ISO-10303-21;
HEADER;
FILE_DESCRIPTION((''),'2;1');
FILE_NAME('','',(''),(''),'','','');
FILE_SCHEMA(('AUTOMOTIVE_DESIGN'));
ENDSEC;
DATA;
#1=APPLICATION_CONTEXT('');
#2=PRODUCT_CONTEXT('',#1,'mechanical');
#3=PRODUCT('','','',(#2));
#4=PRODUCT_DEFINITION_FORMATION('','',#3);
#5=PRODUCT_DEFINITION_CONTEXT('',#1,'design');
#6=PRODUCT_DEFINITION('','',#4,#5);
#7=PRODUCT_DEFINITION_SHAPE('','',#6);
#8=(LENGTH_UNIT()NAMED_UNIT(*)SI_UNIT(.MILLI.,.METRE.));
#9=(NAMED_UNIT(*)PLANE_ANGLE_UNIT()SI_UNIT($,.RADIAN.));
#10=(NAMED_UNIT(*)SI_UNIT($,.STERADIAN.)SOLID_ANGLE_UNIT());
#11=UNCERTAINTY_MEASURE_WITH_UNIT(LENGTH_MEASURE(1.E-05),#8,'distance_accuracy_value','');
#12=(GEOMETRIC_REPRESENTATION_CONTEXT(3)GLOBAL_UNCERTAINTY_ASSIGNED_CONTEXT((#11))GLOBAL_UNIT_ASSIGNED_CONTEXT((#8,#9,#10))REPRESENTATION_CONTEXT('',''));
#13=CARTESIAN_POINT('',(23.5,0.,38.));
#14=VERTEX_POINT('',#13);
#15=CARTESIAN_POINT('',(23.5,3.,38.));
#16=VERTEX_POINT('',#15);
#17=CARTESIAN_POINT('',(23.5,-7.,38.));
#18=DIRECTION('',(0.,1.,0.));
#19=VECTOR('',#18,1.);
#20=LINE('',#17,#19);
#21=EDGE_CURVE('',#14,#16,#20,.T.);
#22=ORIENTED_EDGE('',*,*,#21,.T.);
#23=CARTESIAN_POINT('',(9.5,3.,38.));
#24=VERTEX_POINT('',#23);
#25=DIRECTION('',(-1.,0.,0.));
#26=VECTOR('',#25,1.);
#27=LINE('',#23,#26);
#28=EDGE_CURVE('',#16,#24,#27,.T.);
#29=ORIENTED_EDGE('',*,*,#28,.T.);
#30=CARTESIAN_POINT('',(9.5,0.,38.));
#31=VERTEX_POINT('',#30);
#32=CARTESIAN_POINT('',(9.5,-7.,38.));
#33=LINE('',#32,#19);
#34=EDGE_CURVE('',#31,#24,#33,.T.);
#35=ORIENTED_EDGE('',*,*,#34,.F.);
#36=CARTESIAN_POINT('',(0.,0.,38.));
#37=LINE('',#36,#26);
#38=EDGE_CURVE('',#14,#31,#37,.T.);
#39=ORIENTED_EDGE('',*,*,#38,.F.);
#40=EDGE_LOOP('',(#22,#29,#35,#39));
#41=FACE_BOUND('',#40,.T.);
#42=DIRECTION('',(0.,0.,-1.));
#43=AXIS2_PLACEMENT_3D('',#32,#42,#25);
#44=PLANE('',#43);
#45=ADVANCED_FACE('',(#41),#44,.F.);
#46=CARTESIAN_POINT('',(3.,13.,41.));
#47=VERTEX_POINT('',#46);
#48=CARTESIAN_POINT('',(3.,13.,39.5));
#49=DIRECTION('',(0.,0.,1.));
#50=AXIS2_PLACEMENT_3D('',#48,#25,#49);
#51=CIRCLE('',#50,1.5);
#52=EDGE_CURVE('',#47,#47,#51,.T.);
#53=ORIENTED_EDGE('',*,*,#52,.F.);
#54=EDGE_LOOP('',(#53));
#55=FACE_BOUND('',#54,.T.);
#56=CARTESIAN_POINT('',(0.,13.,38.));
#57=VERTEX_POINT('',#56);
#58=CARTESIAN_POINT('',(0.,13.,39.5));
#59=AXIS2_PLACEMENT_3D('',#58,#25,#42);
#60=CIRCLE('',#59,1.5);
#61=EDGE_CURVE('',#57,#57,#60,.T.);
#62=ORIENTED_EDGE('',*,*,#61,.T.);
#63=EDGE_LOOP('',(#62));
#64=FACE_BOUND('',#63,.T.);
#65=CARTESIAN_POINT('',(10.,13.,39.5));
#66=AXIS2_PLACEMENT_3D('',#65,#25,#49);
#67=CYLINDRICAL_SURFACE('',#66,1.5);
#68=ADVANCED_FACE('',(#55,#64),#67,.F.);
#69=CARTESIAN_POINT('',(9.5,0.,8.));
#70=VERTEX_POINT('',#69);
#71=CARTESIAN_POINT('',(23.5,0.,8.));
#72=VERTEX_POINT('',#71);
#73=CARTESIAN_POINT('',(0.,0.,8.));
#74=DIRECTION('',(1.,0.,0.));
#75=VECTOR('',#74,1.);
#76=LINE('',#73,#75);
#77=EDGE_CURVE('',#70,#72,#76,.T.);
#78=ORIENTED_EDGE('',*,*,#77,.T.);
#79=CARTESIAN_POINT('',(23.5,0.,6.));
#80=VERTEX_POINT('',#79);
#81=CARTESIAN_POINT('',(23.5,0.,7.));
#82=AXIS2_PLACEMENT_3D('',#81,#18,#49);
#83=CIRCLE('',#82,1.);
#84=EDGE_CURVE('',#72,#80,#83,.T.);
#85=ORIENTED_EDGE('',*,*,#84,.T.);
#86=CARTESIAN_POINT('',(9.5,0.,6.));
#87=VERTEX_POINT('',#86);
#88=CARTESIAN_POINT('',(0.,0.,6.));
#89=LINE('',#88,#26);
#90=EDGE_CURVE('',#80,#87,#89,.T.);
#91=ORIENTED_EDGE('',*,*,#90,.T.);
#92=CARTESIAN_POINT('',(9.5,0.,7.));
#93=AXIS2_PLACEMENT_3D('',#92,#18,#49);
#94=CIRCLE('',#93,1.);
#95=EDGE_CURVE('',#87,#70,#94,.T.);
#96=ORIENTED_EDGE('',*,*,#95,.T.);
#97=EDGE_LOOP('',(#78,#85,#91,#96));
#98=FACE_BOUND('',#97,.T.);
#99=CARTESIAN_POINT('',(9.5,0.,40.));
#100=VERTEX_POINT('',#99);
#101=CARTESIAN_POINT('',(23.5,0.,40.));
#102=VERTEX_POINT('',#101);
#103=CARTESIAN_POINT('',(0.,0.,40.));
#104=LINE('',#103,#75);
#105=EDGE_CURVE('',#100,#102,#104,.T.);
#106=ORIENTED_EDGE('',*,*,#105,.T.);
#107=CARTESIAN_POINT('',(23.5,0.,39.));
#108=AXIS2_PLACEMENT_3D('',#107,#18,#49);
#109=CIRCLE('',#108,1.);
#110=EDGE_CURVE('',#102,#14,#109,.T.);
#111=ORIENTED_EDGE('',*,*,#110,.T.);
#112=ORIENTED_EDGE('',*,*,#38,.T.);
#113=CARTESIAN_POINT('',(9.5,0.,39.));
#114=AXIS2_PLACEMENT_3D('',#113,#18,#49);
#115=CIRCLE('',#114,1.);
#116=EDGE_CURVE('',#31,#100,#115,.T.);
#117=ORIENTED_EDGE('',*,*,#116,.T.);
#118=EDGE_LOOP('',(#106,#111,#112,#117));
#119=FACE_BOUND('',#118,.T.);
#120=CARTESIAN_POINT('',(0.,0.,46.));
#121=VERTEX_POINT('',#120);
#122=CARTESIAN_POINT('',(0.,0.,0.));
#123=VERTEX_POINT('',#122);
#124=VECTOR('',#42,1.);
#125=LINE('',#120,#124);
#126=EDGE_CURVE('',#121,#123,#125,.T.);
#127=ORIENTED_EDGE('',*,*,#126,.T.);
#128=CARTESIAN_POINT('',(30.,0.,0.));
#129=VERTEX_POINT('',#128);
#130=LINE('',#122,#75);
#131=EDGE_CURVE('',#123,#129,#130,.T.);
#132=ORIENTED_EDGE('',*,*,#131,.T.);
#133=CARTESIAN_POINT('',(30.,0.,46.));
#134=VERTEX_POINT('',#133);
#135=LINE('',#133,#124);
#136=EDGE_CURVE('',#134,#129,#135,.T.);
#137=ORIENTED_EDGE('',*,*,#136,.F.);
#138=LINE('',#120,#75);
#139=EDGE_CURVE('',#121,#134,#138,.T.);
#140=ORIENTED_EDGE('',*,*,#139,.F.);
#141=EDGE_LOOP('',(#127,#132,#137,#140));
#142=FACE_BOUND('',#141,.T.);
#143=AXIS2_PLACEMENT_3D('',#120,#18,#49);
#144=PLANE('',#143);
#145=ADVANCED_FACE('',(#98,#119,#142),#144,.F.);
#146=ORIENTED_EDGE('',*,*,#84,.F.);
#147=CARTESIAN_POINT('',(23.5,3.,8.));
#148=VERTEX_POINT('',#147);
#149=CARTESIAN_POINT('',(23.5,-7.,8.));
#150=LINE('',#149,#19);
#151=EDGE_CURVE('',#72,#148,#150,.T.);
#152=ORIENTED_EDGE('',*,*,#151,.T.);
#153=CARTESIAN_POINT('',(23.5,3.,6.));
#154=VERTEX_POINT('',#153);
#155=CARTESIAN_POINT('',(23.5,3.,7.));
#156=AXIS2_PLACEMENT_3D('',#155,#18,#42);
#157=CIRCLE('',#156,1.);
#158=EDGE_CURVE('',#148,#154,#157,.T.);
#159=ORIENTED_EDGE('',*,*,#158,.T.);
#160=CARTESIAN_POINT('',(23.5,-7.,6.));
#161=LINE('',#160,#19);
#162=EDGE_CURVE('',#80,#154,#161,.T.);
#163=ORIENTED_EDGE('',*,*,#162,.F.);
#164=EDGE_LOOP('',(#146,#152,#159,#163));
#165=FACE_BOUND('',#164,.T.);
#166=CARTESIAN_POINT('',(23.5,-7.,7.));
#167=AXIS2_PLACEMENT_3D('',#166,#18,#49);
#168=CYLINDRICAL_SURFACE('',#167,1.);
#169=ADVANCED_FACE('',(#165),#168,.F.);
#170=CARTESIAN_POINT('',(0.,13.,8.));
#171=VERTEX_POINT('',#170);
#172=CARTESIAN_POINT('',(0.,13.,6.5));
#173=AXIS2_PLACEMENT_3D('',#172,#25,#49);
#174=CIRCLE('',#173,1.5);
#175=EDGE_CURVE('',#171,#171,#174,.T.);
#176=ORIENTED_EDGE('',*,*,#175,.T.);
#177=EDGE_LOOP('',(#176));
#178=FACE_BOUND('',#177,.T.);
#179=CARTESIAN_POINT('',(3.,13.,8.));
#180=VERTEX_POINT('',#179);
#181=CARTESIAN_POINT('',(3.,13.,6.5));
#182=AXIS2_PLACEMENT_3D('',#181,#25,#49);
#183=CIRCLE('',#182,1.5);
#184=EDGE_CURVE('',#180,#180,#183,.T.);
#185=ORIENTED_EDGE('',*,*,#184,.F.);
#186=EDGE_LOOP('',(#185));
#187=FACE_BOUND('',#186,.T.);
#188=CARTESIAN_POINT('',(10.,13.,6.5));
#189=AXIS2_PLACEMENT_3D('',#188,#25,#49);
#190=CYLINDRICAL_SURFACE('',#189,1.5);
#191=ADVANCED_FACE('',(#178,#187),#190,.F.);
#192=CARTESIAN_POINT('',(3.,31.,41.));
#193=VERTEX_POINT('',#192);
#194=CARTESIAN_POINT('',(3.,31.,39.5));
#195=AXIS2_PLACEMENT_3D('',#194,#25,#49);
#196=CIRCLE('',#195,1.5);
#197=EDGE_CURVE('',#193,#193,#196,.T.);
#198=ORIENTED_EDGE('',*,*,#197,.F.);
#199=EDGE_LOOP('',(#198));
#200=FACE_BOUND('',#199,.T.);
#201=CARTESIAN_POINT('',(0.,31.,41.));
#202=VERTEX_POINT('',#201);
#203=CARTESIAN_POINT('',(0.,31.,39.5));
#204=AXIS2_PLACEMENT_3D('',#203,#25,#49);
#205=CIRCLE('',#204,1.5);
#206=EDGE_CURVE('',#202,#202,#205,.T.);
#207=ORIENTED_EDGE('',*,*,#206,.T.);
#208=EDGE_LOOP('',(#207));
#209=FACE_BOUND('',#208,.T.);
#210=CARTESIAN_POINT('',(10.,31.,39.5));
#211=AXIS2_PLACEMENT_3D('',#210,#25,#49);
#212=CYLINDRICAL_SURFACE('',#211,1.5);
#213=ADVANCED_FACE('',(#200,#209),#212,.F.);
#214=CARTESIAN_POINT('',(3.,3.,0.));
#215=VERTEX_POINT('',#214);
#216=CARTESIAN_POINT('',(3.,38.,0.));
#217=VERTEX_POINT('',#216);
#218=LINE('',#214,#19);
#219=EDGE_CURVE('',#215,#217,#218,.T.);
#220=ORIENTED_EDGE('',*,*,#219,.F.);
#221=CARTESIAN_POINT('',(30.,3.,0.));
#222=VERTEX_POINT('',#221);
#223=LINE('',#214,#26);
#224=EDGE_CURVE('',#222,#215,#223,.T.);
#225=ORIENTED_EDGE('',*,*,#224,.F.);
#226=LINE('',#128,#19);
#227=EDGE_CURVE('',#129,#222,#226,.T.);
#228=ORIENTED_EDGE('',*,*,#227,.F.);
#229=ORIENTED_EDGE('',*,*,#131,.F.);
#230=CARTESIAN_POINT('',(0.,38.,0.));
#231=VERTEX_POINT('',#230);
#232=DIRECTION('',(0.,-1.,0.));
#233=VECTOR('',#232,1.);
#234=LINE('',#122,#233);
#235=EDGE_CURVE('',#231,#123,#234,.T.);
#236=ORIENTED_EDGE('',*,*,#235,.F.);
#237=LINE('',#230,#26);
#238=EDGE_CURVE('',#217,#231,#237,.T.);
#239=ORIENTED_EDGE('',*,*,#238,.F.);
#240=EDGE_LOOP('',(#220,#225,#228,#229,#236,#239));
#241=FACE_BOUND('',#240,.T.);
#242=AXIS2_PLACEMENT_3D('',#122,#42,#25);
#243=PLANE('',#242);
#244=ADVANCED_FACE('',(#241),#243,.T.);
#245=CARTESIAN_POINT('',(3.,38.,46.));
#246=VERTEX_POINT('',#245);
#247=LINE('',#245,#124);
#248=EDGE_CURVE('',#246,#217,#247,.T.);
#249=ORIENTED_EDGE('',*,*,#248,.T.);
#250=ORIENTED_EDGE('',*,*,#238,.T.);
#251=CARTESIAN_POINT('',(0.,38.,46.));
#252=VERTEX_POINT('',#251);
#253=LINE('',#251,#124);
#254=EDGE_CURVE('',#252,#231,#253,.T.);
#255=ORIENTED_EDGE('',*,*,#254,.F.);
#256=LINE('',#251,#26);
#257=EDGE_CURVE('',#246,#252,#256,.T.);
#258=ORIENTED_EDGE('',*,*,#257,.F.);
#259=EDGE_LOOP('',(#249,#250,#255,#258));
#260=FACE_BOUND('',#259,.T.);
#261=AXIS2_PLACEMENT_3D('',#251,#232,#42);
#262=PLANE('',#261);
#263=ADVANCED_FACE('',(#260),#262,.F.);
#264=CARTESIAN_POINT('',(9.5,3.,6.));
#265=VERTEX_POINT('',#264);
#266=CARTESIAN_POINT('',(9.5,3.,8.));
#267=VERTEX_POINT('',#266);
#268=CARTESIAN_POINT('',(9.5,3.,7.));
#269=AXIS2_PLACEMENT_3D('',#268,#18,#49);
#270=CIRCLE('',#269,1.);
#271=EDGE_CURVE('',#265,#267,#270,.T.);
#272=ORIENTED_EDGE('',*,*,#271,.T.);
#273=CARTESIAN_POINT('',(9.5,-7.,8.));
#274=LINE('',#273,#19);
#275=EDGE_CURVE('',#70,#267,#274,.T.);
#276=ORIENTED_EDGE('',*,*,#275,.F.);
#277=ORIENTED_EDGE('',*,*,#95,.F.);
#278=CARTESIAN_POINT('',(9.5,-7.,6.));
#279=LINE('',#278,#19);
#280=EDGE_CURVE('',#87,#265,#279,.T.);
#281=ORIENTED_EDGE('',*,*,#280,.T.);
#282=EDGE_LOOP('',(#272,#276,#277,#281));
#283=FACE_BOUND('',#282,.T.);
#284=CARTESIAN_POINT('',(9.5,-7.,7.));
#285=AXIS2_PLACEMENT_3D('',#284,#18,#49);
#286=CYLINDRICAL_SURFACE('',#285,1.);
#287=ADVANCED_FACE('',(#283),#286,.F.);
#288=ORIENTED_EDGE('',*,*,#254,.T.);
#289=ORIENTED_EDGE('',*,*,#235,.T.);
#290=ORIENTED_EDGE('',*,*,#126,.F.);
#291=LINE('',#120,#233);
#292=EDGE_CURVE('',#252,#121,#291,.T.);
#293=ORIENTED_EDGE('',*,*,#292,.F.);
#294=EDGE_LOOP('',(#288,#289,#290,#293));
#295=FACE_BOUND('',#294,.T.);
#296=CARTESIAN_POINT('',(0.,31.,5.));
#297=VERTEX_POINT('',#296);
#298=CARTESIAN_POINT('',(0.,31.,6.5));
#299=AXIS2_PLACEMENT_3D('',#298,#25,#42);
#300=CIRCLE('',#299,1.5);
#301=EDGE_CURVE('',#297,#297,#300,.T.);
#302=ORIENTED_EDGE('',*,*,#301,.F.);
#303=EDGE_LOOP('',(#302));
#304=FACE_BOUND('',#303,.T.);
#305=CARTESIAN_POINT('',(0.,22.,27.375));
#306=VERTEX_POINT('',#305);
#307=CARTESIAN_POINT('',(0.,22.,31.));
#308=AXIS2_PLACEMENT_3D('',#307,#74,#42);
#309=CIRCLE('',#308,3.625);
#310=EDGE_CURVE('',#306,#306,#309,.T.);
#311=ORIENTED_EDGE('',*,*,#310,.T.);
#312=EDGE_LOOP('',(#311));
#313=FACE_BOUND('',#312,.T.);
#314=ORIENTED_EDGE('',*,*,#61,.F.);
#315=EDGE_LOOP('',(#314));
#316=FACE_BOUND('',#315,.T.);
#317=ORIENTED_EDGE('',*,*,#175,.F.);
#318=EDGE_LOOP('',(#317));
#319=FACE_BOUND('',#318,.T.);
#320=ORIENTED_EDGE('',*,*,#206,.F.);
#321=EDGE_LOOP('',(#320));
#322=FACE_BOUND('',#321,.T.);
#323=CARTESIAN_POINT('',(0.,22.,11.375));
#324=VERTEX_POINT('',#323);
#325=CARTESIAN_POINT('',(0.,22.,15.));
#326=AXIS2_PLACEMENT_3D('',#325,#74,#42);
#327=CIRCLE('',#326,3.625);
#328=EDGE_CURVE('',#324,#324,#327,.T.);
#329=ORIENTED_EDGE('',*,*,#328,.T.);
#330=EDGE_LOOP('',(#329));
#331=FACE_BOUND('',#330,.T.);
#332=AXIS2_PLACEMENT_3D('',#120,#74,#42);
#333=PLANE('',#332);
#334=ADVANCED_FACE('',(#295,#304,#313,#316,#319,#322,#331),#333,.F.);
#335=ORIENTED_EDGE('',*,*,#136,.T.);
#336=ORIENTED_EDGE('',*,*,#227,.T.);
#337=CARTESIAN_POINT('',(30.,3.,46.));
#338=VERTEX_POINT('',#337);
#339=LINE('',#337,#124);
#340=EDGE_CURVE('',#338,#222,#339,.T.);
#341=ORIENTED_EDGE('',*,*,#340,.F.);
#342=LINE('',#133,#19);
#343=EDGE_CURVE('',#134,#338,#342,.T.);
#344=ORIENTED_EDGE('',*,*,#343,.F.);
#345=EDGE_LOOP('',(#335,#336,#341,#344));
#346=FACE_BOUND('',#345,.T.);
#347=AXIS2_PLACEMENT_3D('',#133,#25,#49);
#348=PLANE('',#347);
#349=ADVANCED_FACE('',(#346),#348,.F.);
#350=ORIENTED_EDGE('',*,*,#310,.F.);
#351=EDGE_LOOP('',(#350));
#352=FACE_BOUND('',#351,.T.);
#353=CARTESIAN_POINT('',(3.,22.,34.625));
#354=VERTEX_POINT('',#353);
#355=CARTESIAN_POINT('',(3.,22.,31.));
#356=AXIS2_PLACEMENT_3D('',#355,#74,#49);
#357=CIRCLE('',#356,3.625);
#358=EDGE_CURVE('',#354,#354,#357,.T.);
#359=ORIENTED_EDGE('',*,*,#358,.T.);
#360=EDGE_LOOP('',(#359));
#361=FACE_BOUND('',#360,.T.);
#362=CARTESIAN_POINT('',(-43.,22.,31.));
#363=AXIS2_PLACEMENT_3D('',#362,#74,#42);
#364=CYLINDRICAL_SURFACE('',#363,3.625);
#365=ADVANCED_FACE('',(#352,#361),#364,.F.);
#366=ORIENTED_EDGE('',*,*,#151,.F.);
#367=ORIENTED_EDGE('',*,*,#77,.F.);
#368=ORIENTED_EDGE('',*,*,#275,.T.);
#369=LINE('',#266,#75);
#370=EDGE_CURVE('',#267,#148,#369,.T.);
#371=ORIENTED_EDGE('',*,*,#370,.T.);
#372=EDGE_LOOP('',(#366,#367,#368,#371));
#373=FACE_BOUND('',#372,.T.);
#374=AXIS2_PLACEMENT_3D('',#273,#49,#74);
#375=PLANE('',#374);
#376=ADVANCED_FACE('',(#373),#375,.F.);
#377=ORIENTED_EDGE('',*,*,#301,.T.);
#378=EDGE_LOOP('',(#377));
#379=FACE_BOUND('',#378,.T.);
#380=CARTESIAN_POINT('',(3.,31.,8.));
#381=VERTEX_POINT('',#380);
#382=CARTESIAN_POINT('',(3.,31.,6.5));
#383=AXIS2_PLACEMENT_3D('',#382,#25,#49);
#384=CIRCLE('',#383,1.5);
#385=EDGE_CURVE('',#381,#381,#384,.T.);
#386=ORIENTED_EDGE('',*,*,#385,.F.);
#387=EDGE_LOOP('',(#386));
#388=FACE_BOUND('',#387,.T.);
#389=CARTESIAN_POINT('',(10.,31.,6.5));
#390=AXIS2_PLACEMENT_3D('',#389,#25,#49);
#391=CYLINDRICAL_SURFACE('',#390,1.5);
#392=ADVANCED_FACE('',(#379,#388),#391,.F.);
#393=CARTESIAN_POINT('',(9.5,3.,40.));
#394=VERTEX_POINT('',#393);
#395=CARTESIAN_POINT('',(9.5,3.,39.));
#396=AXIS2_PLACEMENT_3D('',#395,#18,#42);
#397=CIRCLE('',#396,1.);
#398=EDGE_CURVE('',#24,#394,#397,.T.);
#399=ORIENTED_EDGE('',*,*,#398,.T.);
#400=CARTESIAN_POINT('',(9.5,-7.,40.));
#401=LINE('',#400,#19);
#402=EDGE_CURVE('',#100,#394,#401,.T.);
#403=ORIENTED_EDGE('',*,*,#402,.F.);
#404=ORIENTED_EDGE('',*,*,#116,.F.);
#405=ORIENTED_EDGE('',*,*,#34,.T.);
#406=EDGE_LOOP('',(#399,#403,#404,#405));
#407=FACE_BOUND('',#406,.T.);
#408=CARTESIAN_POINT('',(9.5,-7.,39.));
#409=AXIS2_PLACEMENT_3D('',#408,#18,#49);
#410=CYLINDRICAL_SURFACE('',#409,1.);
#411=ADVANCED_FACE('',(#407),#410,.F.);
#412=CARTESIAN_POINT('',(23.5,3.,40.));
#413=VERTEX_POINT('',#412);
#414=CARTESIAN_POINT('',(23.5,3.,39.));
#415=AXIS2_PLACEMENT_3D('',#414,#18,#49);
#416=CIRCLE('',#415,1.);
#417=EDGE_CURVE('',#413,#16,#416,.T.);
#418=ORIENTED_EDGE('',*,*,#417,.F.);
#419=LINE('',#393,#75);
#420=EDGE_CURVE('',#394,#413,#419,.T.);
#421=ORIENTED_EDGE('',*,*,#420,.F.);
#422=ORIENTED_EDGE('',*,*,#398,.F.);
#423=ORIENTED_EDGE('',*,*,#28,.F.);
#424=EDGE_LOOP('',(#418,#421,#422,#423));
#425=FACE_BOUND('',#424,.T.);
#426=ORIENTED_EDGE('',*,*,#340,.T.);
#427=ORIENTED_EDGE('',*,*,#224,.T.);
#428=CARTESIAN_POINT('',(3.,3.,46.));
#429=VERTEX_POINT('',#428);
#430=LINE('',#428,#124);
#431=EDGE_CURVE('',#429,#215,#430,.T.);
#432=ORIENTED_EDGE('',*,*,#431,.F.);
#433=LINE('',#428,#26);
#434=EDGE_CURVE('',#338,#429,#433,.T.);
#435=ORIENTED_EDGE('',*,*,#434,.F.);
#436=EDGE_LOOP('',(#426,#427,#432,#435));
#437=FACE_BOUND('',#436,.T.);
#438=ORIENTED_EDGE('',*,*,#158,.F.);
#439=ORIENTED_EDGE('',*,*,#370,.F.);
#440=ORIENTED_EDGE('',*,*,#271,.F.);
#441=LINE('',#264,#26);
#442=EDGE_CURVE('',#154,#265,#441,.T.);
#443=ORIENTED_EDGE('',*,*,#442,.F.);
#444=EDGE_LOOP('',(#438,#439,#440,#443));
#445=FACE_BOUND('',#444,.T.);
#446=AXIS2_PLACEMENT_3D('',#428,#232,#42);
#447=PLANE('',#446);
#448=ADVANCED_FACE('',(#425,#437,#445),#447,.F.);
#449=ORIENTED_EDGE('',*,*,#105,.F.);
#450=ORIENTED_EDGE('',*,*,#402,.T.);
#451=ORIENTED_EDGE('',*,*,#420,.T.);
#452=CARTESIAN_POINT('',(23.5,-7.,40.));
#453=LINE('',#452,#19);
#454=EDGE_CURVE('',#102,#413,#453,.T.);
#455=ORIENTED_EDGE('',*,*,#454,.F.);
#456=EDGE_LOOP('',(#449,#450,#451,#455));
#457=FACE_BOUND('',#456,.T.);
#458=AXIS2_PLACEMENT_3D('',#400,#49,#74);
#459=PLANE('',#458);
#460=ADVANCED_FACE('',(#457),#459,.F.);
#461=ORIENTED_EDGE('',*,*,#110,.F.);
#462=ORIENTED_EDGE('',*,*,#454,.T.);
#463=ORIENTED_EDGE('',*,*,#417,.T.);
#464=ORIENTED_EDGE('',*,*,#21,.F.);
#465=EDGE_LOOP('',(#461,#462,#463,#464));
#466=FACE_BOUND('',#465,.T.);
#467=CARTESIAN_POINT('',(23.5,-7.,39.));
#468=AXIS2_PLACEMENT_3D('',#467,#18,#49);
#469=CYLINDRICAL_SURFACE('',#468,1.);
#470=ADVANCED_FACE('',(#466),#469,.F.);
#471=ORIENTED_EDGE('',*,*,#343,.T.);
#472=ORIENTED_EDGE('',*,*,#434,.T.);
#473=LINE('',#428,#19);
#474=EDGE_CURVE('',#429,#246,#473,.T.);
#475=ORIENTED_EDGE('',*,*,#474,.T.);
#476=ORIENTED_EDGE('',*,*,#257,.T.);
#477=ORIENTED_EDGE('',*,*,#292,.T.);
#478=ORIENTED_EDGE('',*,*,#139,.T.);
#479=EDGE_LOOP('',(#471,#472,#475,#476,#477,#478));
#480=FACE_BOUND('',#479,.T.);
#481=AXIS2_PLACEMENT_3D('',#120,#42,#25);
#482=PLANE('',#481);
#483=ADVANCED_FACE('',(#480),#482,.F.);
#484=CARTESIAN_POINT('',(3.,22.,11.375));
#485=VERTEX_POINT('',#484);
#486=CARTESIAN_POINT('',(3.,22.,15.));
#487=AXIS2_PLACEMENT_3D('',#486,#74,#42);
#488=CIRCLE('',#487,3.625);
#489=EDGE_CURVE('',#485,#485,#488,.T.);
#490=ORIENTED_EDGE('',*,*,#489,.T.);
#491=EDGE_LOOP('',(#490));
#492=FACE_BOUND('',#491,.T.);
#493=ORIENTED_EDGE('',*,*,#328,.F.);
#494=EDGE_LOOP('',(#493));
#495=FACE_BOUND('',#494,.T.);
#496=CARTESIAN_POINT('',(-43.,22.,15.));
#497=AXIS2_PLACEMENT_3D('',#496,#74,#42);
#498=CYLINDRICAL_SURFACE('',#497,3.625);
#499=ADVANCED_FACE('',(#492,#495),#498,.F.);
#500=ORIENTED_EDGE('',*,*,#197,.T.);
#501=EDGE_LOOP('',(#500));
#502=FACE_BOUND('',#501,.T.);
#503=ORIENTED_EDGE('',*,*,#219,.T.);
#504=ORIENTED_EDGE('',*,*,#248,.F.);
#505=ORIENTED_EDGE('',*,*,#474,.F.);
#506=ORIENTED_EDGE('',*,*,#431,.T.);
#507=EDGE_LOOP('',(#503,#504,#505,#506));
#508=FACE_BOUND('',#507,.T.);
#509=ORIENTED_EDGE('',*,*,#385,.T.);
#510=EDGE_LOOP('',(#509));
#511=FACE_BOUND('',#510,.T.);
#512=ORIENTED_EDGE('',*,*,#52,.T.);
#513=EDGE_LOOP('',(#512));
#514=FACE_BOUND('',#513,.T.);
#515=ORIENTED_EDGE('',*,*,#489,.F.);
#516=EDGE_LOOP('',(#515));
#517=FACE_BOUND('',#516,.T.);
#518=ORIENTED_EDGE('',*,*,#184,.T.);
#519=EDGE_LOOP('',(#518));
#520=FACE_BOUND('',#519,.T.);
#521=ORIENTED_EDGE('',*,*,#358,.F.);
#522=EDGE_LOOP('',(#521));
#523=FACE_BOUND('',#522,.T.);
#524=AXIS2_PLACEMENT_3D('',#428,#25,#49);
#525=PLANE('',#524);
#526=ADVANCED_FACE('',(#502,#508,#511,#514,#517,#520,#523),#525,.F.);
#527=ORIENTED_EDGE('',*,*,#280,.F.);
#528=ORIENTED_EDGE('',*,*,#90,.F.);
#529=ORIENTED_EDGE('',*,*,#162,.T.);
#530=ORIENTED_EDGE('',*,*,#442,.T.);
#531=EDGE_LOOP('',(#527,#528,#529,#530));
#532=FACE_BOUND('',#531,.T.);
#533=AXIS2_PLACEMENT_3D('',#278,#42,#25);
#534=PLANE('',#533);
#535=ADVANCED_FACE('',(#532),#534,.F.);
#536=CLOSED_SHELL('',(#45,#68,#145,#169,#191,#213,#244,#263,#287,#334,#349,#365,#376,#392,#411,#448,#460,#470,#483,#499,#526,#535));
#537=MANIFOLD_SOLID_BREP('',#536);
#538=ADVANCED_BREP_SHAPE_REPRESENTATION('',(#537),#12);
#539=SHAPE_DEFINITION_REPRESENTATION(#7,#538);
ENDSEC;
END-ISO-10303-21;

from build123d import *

# Parameters (mm, degrees)
BOSS_EXTRUDE1_DEPTH = 46
SKETCH2_R           = 3.625
CUT_EXTRUDE1_DEPTH  = 46
SKETCH3_R           = 1.5
CUT_EXTRUDE2_DEPTH  = 10
CUT_EXTRUDE3_DEPTH  = 10


with BuildPart() as part:
    # Sketch1 → Boss-Extrude1 (new body)
    with BuildSketch(Plane.XY):
        Polygon((0, 0), (30, 0), (30, 3), (3, 3), (3, 38), (0, 38), align=None)
    extrude(amount=BOSS_EXTRUDE1_DEPTH)

    # Sketch2 → Cut-Extrude1 (cut)
    with BuildSketch(Plane(origin=(3, 0, 0), x_dir=(0, 0, -1), z_dir=(1, 0, 0))):
        with Locations((-15, 22)):
            Circle(SKETCH2_R)
        with Locations((-31, 22)):
            Circle(SKETCH2_R)
    extrude(amount=-CUT_EXTRUDE1_DEPTH, mode=Mode.SUBTRACT)

    # Sketch3 → Cut-Extrude2 (cut)
    with BuildSketch(Plane.ZY):
        with Locations((39.5, 31)):
            Circle(SKETCH3_R)
        with Locations((6.5, 31)):
            Circle(SKETCH3_R)
        with Locations((39.5, 13)):
            Circle(SKETCH3_R)
        with Locations((6.5, 13)):
            Circle(SKETCH3_R)
    extrude(amount=-CUT_EXTRUDE2_DEPTH, mode=Mode.SUBTRACT)

    # Sketch4 → Cut-Extrude3 (cut)
    with BuildSketch(Plane(origin=(0, 3, 0), x_dir=(1, 0, 0), z_dir=(0, 1, 0))):
        with BuildLine():
            Line((9.5, -38), (23.5, -38))
            ThreePointArc((23.5, -38), (24.5, -39), (23.5, -40))
            Line((23.5, -40), (9.5, -40))
            ThreePointArc((9.5, -40), (8.5, -39), (9.5, -38))
        make_face()
        with BuildLine():
            Line((9.5, -6), (23.5, -6))
            ThreePointArc((23.5, -6), (24.5, -7), (23.5, -8))
            Line((23.5, -8), (9.5, -8))
            ThreePointArc((9.5, -8), (8.5, -7), (9.5, -6))
        make_face()
    extrude(amount=-CUT_EXTRUDE3_DEPTH, mode=Mode.SUBTRACT)


solid = part.part
